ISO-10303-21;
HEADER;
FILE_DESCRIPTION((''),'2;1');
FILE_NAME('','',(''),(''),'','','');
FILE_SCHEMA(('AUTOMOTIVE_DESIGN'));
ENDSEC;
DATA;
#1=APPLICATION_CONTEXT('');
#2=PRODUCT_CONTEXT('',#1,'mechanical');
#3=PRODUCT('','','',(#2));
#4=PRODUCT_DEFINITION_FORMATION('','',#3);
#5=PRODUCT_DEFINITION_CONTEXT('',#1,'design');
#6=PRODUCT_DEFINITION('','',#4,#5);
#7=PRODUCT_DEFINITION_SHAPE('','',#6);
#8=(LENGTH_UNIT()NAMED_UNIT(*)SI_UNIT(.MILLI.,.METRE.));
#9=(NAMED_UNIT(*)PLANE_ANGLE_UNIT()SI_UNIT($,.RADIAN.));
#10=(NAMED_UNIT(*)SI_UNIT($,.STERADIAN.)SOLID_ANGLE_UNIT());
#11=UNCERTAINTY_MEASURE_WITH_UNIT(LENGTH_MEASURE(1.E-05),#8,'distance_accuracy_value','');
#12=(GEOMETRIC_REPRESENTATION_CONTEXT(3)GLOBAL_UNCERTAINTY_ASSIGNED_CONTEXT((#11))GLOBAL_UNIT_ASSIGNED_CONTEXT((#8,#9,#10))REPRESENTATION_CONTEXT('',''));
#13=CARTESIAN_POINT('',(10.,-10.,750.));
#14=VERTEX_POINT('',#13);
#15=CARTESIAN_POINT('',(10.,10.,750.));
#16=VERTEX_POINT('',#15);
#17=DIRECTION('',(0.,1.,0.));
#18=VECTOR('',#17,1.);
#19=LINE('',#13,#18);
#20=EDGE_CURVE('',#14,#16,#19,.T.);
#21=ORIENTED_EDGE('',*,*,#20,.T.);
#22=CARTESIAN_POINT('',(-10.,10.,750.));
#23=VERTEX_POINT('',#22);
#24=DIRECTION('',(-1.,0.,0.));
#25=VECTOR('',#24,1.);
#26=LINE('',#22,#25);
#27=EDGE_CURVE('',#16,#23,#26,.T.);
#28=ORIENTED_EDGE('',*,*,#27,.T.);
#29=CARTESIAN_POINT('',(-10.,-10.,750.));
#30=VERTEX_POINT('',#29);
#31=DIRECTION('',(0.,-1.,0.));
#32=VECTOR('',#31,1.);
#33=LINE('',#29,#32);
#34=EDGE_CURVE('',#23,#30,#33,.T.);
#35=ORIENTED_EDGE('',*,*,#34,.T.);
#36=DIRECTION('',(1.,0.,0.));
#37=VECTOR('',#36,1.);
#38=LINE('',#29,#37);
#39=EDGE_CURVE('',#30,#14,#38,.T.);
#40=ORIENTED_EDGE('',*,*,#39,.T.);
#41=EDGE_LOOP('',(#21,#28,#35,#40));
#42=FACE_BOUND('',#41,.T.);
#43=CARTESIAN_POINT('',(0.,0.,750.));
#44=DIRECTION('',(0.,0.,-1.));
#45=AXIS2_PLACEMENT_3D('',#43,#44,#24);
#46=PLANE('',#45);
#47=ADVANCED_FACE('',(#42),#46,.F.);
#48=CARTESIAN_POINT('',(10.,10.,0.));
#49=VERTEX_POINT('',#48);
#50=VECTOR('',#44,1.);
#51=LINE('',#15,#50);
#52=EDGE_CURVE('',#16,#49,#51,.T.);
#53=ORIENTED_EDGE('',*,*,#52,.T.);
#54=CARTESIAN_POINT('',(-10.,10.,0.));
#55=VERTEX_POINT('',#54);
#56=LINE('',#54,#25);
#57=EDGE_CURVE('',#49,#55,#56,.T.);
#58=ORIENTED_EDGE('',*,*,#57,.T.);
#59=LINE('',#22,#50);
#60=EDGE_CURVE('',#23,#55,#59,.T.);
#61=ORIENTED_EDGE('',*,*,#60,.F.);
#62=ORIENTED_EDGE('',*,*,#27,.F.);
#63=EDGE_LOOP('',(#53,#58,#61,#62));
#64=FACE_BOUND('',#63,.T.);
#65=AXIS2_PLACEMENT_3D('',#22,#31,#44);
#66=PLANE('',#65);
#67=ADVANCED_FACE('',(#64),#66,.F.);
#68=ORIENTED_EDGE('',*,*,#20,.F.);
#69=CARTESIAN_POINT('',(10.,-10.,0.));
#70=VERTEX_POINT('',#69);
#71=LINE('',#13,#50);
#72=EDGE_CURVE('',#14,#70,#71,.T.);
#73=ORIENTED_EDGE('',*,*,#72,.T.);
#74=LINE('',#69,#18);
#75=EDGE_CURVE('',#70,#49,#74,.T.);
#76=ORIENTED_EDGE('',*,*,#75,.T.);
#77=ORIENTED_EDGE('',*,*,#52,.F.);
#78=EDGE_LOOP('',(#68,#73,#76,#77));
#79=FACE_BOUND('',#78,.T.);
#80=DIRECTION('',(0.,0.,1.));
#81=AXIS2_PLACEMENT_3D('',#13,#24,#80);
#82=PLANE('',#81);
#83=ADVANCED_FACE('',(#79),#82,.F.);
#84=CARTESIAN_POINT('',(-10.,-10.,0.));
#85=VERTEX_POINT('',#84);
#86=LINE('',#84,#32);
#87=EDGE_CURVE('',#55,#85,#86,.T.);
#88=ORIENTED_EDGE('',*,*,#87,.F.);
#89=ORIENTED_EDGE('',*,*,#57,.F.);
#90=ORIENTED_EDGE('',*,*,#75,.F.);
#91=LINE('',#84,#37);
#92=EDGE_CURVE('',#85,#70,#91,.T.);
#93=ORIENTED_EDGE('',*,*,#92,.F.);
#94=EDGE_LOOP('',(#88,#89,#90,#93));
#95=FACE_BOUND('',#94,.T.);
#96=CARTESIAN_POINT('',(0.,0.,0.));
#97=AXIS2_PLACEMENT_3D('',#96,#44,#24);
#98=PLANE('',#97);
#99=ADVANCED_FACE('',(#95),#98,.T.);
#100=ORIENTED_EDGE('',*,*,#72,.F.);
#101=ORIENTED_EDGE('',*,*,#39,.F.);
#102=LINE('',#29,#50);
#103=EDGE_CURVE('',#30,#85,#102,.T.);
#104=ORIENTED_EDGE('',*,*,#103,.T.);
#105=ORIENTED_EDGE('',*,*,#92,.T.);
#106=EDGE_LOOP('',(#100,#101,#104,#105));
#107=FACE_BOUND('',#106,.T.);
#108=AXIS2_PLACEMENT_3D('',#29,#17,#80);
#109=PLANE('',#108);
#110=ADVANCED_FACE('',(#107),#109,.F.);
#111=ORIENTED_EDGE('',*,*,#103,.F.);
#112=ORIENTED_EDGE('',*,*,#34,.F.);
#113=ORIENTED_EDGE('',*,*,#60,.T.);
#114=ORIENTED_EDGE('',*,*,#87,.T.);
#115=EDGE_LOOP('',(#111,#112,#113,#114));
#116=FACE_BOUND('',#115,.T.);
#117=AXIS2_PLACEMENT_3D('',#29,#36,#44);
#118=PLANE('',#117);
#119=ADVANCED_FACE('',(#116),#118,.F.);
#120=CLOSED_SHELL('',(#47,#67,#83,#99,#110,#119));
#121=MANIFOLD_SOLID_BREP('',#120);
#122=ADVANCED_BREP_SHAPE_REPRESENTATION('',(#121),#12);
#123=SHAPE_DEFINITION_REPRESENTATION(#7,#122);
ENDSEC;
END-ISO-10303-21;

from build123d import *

# Parameters (mm, degrees)
SKETCH_1_W      = 20
SKETCH_1_H      = 20
EXTRUDE_1_DEPTH = 750


with BuildPart() as part:
    # 草图1 → 凸台-拉伸1 (new body)
    with BuildSketch(Plane.XY):
        Rectangle(SKETCH_1_W, SKETCH_1_H)
    extrude(amount=EXTRUDE_1_DEPTH)


solid = part.part
